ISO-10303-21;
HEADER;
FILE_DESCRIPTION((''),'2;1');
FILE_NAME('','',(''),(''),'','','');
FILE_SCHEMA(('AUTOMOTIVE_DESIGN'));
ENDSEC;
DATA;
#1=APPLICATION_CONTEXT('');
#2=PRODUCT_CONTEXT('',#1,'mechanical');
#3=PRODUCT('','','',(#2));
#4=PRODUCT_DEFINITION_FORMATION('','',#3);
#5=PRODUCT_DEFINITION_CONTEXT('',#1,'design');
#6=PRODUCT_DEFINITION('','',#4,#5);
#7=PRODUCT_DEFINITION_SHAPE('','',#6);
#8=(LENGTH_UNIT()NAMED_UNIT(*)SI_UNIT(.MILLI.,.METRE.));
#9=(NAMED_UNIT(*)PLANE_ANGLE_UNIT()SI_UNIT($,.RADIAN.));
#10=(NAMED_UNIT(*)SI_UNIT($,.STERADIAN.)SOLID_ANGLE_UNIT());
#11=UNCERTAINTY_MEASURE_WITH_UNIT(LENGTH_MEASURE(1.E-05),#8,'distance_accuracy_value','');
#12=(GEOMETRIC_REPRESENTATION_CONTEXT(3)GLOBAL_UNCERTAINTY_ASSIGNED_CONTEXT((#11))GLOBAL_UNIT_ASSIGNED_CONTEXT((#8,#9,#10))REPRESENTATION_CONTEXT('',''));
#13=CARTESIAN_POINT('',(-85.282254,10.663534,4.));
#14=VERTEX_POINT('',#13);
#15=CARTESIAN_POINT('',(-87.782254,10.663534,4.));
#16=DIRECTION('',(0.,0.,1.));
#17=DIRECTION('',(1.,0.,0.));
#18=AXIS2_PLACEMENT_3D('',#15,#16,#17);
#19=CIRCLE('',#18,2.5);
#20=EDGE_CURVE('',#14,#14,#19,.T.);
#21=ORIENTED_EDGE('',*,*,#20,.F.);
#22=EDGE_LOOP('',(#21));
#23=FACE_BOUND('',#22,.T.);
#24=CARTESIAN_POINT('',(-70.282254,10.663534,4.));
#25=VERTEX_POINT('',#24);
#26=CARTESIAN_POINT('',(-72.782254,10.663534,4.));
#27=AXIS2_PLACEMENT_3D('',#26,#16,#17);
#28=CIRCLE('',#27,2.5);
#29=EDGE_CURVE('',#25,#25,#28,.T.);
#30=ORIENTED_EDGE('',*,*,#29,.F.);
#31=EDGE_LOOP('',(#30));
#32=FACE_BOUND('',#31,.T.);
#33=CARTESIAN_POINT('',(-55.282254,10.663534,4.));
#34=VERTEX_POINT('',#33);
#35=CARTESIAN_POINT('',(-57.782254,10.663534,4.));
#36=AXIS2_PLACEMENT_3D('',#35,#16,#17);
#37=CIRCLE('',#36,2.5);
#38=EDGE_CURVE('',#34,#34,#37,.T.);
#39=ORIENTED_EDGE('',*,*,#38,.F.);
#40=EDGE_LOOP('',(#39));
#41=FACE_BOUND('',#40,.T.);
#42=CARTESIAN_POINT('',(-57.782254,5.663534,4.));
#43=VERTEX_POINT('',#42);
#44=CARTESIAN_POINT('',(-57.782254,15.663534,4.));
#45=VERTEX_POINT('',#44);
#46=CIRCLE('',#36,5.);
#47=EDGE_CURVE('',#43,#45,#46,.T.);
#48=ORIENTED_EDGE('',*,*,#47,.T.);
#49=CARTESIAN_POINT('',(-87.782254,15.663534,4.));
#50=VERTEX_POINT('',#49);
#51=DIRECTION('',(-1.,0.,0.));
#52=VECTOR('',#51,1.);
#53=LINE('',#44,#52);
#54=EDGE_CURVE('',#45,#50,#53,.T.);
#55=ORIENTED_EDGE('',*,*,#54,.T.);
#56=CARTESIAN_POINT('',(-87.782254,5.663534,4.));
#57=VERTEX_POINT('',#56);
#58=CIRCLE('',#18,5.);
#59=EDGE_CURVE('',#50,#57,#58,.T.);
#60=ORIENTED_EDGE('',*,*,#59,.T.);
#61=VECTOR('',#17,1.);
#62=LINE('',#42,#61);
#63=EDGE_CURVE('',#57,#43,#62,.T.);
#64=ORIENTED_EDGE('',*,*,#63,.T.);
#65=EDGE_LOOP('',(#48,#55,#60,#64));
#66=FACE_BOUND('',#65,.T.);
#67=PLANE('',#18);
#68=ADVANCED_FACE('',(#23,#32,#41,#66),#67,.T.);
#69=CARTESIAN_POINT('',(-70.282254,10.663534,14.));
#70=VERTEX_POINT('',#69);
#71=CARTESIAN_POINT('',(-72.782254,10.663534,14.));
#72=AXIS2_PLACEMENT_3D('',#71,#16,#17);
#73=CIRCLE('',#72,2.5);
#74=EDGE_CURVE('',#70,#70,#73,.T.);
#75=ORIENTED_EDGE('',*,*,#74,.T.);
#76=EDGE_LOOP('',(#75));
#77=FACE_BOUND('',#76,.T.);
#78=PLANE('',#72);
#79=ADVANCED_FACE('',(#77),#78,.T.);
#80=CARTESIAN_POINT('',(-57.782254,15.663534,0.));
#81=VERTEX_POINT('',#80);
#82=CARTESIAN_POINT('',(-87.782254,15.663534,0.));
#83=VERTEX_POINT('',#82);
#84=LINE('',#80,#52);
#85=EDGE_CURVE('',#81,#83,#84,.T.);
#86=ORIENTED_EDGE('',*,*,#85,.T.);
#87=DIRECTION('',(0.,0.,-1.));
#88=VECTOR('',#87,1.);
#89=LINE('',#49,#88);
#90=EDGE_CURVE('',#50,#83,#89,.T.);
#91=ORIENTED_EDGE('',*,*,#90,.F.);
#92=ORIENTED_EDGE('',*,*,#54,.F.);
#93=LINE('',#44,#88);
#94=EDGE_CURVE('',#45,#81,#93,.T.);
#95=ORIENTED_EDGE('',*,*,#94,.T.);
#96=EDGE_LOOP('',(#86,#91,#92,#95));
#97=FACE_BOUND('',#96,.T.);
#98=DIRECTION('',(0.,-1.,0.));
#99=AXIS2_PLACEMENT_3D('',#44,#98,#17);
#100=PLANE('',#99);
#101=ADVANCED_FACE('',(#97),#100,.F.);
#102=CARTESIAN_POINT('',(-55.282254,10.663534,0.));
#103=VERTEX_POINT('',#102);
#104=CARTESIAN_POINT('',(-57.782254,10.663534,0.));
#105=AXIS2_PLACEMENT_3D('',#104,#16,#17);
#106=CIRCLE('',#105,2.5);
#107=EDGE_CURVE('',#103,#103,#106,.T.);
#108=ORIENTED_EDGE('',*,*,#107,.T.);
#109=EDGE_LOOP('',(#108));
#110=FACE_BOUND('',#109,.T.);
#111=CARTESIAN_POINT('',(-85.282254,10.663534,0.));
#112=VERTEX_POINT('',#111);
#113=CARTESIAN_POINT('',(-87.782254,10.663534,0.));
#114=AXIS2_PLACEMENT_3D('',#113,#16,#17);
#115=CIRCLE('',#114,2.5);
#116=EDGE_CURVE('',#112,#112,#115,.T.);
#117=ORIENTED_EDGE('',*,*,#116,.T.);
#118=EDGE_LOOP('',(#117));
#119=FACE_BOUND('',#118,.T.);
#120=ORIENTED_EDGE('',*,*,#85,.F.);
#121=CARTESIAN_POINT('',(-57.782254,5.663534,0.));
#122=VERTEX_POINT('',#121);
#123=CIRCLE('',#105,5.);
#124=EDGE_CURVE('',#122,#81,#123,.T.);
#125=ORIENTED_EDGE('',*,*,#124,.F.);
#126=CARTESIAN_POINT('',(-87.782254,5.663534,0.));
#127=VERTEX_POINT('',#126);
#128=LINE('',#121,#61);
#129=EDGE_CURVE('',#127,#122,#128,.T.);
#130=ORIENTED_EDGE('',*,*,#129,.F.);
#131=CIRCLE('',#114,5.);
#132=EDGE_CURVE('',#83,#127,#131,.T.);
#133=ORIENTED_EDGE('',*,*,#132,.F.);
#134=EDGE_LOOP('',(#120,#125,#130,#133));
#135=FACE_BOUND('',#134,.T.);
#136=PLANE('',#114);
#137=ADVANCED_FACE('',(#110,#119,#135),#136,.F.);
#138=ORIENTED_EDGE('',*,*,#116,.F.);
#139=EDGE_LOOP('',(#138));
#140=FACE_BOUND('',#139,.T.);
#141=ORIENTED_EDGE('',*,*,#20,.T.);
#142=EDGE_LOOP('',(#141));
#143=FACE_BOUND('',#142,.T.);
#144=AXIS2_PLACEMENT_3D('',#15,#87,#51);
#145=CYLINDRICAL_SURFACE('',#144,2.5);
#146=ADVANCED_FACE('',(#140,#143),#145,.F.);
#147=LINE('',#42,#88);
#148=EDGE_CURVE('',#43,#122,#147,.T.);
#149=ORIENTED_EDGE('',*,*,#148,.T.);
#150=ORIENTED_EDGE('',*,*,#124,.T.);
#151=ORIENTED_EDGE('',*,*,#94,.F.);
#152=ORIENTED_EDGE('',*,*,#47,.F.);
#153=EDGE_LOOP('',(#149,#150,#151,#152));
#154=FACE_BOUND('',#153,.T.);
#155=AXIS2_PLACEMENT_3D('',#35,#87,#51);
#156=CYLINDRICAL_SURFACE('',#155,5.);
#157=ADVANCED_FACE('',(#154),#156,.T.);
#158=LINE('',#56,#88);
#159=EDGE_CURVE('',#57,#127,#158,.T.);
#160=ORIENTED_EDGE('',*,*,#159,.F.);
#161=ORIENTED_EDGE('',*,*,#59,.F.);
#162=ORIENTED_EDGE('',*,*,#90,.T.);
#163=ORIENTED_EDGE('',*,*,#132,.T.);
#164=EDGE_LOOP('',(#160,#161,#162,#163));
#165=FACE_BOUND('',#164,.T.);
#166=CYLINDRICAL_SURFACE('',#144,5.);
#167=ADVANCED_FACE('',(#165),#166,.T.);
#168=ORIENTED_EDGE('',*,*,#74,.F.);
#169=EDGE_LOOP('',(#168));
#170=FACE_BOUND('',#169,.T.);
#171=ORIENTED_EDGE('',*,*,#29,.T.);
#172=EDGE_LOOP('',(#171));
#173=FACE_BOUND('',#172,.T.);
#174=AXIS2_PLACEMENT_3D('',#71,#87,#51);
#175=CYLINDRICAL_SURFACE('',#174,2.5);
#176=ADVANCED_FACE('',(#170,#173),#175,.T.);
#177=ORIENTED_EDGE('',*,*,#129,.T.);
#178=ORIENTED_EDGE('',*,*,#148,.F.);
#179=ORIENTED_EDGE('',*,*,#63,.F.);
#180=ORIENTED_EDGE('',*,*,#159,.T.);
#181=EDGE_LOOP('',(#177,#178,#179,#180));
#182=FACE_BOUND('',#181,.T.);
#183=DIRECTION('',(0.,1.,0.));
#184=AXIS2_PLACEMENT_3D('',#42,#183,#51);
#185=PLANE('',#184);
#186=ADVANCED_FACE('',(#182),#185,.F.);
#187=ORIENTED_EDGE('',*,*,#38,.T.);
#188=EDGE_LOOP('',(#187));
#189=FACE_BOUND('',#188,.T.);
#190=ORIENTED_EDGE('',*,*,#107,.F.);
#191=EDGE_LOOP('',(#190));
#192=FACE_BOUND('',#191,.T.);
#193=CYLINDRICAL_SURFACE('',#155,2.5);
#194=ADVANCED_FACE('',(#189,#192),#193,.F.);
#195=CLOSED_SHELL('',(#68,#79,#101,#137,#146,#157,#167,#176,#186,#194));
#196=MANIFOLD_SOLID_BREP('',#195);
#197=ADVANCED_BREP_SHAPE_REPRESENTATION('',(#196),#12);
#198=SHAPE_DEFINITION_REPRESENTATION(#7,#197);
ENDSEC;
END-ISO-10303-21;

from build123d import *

# Parameters (mm, degrees)
SKETCH1_R           = 2.5
BOSS_EXTRUDE1_DEPTH = 4
SKETCH2_R           = 2.5
BOSS_EXTRUDE2_DEPTH = 10


with BuildPart() as part:
    # Sketch1 → Boss-Extrude1 (new body)
    with BuildSketch(Plane.XY):
        with BuildLine():
            Line((-57.782253853, 15.663533632), (-87.782253853, 15.663533632))
            ThreePointArc((-87.782253853, 15.663533632), (-92.782253853, 10.663533632), (-87.782253853, 5.663533632))
            Line((-87.782253853, 5.663533632), (-57.782253853, 5.663533632))
            ThreePointArc((-57.782253853, 5.663533632), (-52.782253853, 10.663533632), (-57.782253853, 15.663533632))
        make_face()
        with Locations((-57.782253853, 10.663533632)):
            Circle(SKETCH1_R, mode=Mode.SUBTRACT)
        with Locations((-87.782253853, 10.663533632)):
            Circle(SKETCH1_R, mode=Mode.SUBTRACT)
    extrude(amount=BOSS_EXTRUDE1_DEPTH)

    # Sketch2 → Boss-Extrude2 (add)
    with BuildSketch(Plane.XY.offset(4)):
        with Locations((-72.782253853, 10.663533632)):
            Circle(SKETCH2_R)
    extrude(amount=BOSS_EXTRUDE2_DEPTH)


solid = part.part
